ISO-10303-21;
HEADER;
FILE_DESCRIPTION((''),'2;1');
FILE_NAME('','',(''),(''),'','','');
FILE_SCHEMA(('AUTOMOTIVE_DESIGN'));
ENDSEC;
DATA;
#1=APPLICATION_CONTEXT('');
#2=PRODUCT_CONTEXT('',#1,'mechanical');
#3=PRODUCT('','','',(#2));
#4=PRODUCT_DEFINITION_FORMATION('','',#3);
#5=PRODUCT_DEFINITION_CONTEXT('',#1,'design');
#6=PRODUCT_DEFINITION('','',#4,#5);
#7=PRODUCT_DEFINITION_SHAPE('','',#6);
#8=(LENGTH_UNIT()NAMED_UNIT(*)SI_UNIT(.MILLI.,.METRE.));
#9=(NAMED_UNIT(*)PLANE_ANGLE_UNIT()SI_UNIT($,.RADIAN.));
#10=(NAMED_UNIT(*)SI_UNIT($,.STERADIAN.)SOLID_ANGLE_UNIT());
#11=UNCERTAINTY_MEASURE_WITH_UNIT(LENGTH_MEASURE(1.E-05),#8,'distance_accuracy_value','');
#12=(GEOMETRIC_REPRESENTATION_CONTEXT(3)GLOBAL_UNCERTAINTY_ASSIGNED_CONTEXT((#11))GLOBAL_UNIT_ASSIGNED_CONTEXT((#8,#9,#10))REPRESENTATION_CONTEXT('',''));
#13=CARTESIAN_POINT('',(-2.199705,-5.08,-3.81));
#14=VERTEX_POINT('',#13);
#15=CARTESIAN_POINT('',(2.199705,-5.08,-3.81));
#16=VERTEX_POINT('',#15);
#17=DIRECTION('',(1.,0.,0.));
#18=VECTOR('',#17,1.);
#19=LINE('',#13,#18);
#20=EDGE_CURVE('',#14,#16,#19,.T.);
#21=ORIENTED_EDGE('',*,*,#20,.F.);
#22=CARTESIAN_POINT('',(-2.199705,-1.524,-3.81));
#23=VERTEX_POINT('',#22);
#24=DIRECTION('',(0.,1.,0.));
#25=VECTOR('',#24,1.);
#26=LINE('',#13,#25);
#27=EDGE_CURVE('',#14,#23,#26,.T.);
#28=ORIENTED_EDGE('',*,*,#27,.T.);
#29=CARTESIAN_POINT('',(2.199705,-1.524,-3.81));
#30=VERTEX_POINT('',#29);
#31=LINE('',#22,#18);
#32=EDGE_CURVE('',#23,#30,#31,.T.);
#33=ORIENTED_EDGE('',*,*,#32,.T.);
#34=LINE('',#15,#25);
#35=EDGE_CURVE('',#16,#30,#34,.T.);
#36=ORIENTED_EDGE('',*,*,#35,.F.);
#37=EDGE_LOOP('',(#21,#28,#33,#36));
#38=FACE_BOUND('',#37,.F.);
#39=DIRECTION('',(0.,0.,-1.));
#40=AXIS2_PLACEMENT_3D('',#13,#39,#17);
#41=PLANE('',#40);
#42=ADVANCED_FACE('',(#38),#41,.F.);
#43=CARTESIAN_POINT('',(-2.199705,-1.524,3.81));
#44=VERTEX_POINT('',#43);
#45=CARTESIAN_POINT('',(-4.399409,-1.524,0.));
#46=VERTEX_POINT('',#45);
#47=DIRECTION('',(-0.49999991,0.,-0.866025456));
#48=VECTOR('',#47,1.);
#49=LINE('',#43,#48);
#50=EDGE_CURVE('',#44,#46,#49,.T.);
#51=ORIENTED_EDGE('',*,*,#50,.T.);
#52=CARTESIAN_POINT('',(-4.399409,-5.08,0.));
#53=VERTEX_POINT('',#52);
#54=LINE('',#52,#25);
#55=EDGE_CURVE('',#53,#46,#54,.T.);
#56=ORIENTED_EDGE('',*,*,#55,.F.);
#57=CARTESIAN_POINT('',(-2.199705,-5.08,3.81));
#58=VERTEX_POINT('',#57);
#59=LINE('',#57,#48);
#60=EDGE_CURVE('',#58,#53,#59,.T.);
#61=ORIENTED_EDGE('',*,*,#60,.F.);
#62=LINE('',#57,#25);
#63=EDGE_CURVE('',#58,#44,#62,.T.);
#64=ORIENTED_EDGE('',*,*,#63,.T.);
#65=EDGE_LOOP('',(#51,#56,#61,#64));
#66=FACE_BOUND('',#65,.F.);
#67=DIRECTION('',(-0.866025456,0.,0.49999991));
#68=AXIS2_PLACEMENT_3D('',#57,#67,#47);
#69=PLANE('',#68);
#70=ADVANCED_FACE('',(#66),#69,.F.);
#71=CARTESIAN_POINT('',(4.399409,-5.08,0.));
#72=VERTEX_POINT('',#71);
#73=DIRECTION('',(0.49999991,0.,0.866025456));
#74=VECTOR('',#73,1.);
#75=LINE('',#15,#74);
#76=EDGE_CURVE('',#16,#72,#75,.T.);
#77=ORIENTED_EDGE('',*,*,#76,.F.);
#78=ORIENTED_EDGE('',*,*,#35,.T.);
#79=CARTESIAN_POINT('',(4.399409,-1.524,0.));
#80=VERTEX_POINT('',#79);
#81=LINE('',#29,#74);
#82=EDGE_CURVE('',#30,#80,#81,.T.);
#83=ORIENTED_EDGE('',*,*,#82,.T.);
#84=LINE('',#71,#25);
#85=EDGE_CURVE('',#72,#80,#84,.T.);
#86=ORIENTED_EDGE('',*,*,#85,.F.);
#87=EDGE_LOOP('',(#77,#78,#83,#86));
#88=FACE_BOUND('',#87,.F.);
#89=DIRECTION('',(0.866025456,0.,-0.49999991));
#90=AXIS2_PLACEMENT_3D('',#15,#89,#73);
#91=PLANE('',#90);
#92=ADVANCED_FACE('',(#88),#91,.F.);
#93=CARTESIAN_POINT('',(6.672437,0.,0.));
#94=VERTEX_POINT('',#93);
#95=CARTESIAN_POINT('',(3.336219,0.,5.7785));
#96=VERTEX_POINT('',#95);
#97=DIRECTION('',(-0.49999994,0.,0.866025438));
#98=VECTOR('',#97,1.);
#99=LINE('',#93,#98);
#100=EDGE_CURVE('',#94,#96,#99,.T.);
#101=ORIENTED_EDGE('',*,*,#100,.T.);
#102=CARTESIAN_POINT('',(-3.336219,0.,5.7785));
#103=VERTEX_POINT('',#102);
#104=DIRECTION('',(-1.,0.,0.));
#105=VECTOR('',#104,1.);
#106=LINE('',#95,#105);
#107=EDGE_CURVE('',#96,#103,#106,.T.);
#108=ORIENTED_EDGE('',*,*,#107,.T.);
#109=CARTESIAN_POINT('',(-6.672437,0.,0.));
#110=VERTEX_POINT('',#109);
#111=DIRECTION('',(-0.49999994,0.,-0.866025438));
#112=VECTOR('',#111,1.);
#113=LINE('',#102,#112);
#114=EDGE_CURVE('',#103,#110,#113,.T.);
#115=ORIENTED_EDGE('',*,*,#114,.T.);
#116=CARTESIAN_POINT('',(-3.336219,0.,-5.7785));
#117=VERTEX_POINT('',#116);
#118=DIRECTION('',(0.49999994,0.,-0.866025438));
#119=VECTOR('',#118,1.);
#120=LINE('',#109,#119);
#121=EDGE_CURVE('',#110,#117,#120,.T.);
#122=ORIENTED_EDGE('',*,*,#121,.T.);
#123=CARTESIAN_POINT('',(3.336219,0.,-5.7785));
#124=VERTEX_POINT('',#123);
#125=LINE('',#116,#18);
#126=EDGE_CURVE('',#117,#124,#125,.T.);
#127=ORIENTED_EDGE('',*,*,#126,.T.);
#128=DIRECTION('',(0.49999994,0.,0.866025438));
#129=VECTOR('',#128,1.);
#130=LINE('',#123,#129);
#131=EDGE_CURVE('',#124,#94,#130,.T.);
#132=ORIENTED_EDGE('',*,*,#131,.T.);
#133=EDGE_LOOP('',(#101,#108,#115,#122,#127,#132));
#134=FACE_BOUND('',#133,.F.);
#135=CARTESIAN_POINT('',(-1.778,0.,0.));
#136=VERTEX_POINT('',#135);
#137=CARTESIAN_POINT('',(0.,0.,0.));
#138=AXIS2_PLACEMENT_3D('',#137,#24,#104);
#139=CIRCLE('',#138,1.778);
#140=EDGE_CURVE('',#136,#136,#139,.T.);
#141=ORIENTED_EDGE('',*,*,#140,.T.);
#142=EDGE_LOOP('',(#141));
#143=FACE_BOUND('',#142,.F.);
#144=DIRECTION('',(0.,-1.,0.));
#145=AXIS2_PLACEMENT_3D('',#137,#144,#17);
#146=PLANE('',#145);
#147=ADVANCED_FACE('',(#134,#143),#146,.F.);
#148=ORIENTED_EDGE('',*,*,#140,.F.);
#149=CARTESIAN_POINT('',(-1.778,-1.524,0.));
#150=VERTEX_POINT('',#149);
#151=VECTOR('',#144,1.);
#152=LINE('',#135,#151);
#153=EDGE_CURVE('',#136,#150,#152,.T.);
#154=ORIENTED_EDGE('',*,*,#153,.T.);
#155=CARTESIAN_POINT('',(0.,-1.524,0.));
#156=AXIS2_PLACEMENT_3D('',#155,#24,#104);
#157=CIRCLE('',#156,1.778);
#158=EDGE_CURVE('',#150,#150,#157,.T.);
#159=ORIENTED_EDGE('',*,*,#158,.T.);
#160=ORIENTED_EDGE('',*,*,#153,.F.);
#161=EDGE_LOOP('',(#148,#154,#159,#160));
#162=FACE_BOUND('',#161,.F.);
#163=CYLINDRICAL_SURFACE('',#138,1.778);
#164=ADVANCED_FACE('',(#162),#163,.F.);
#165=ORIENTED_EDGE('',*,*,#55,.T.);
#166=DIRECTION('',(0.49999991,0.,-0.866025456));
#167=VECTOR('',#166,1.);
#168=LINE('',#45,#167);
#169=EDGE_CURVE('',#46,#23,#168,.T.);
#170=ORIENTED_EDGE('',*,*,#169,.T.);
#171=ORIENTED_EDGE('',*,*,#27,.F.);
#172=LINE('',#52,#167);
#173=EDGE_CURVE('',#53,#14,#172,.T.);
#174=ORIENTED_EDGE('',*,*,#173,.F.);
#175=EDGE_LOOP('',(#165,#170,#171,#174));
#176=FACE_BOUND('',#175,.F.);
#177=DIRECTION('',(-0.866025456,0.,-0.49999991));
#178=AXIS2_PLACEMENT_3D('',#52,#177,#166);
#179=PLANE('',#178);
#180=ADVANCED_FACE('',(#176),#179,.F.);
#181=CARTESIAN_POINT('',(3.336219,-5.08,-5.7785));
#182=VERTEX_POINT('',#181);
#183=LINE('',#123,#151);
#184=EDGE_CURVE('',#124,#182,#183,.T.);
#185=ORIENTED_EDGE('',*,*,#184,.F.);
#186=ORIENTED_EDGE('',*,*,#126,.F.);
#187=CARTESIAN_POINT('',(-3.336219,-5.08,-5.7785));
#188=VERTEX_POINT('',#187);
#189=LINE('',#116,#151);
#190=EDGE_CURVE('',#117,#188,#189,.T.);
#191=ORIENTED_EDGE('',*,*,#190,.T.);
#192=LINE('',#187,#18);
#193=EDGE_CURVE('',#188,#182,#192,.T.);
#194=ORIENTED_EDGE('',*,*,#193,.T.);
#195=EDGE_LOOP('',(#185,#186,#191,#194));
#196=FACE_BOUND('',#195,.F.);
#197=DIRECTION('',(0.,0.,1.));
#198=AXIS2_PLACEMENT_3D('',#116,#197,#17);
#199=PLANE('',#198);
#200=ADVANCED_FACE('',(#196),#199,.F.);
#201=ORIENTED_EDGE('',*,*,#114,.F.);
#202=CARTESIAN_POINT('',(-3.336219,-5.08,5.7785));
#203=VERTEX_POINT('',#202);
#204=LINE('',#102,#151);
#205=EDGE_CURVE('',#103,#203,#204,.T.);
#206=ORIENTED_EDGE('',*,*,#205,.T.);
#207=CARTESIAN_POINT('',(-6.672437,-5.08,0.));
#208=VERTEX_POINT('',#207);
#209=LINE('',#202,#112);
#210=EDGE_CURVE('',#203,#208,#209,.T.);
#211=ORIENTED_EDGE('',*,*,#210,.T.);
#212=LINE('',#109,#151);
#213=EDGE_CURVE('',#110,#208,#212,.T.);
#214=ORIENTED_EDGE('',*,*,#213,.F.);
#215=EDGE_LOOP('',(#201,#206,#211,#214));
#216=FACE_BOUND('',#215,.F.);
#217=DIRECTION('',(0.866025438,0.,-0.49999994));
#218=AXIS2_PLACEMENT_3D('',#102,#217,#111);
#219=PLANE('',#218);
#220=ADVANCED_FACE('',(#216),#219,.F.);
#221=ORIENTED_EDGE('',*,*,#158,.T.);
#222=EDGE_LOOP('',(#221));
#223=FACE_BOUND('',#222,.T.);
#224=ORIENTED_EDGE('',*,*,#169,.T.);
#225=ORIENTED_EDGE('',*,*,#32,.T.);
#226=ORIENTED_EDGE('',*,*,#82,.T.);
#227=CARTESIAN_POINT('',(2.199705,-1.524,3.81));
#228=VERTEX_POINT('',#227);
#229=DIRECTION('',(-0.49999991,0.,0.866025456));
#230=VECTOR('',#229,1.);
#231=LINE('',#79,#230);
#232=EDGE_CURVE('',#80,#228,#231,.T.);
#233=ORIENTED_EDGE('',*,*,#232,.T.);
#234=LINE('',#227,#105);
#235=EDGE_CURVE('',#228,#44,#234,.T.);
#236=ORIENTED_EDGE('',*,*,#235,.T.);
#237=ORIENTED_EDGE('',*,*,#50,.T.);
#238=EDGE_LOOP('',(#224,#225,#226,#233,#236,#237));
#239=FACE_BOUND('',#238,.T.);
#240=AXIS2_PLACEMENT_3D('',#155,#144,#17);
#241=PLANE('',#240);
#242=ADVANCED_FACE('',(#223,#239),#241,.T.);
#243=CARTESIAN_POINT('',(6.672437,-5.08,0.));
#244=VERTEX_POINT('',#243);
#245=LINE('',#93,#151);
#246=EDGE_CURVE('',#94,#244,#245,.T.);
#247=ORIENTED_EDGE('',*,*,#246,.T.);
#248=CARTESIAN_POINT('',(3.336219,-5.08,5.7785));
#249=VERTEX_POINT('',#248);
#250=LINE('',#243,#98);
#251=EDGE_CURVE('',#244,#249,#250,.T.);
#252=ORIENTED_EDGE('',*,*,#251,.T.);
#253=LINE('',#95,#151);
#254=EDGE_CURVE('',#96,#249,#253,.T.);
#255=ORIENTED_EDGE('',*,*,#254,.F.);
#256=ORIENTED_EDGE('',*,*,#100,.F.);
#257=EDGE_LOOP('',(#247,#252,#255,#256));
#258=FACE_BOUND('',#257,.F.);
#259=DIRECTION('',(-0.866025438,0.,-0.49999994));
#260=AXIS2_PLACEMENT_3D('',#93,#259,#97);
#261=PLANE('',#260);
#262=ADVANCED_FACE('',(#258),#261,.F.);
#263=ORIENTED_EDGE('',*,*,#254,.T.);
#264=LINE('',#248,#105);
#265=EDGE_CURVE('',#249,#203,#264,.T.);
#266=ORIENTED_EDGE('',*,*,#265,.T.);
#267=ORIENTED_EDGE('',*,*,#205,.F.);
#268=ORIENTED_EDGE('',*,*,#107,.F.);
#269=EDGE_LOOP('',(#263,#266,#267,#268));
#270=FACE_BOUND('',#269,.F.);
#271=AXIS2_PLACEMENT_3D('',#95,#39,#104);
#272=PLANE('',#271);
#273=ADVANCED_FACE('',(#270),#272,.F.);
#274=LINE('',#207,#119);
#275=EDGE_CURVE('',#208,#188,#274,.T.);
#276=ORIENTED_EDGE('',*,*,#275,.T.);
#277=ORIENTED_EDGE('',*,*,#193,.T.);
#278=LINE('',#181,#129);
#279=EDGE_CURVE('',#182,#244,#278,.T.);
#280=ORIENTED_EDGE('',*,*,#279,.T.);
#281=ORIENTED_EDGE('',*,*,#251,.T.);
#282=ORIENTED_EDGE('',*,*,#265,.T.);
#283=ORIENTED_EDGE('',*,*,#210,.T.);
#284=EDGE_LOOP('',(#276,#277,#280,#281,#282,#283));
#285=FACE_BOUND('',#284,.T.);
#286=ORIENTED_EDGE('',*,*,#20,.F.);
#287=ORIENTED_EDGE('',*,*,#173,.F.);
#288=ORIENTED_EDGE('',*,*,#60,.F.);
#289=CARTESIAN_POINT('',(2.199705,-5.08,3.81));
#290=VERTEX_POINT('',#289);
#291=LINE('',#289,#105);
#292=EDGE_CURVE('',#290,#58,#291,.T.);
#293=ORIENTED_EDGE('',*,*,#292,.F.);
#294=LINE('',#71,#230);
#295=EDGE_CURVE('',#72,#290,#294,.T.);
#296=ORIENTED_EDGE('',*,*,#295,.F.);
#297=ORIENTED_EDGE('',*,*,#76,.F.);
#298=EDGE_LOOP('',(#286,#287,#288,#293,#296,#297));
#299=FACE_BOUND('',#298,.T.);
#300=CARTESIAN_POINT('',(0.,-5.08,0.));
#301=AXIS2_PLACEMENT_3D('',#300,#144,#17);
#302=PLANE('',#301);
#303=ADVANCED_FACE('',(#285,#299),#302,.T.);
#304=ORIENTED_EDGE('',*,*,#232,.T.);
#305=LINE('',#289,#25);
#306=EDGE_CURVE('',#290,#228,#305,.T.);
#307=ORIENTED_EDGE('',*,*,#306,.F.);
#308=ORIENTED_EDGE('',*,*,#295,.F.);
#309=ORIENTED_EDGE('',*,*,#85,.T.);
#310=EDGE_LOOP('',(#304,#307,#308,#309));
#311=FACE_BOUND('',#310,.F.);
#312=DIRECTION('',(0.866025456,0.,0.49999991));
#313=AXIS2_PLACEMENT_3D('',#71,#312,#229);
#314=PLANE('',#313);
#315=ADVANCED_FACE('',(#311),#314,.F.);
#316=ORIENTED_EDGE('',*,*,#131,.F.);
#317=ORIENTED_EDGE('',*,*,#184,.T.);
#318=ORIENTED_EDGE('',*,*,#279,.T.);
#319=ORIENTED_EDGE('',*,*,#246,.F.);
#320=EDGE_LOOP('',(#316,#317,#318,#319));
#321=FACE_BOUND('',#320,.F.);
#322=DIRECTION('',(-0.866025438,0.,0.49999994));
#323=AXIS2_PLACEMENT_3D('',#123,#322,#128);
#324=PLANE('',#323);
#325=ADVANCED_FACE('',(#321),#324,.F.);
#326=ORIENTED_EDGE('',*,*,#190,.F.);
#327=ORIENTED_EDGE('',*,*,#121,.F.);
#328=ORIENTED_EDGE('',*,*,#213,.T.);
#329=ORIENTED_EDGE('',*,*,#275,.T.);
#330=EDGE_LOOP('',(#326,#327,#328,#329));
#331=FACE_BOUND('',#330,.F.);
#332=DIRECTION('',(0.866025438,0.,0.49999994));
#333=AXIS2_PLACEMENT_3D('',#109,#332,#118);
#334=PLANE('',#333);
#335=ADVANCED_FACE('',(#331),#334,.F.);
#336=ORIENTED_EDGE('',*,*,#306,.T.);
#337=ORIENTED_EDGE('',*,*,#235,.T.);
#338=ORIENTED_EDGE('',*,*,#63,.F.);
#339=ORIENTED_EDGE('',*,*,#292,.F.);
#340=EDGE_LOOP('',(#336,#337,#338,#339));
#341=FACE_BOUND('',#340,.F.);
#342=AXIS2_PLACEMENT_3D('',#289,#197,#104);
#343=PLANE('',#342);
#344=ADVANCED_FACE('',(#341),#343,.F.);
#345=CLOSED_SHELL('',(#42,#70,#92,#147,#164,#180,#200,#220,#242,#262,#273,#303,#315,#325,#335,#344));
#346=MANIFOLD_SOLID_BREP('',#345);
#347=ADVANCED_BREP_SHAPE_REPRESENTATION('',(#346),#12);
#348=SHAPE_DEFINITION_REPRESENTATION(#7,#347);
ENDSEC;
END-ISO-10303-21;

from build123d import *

# Parameters (mm, degrees)
F1_DEPTH = 5.08
F3_DEPTH = 3.556
F4_R     = 1.778
F5_DEPTH = 5.081


with BuildPart() as f1:
    # F0 (on Front) → F1 (new body)
    with BuildSketch(Plane.XZ):
        Polygon((3.336219, 5.7785), (-3.336219, 5.7785), (-6.672437, 0), (-3.336219, -5.7785), (3.336219, -5.7785), (6.672437, 0), align=None)
    extrude(amount=F1_DEPTH)

    # F2 (on face) → F3 (cut)
    with BuildSketch(Plane.XZ.offset(5.08)):
        Polygon((-2.199705, -3.81), (2.199705, -3.81), (4.399409, 0), (2.199705, 3.81), (-2.199705, 3.81), (-4.399409, 0), align=None)
    extrude(amount=-F3_DEPTH, mode=Mode.SUBTRACT)

    # F4 (on face) → F5 (cut, through all)
    with BuildSketch(Plane(origin=(0, 0, 0), x_dir=(-1, 0, 0), z_dir=(0, 1, 0))):
        Circle(F4_R)
    extrude(amount=-F5_DEPTH, mode=Mode.SUBTRACT)


solid = f1.part
